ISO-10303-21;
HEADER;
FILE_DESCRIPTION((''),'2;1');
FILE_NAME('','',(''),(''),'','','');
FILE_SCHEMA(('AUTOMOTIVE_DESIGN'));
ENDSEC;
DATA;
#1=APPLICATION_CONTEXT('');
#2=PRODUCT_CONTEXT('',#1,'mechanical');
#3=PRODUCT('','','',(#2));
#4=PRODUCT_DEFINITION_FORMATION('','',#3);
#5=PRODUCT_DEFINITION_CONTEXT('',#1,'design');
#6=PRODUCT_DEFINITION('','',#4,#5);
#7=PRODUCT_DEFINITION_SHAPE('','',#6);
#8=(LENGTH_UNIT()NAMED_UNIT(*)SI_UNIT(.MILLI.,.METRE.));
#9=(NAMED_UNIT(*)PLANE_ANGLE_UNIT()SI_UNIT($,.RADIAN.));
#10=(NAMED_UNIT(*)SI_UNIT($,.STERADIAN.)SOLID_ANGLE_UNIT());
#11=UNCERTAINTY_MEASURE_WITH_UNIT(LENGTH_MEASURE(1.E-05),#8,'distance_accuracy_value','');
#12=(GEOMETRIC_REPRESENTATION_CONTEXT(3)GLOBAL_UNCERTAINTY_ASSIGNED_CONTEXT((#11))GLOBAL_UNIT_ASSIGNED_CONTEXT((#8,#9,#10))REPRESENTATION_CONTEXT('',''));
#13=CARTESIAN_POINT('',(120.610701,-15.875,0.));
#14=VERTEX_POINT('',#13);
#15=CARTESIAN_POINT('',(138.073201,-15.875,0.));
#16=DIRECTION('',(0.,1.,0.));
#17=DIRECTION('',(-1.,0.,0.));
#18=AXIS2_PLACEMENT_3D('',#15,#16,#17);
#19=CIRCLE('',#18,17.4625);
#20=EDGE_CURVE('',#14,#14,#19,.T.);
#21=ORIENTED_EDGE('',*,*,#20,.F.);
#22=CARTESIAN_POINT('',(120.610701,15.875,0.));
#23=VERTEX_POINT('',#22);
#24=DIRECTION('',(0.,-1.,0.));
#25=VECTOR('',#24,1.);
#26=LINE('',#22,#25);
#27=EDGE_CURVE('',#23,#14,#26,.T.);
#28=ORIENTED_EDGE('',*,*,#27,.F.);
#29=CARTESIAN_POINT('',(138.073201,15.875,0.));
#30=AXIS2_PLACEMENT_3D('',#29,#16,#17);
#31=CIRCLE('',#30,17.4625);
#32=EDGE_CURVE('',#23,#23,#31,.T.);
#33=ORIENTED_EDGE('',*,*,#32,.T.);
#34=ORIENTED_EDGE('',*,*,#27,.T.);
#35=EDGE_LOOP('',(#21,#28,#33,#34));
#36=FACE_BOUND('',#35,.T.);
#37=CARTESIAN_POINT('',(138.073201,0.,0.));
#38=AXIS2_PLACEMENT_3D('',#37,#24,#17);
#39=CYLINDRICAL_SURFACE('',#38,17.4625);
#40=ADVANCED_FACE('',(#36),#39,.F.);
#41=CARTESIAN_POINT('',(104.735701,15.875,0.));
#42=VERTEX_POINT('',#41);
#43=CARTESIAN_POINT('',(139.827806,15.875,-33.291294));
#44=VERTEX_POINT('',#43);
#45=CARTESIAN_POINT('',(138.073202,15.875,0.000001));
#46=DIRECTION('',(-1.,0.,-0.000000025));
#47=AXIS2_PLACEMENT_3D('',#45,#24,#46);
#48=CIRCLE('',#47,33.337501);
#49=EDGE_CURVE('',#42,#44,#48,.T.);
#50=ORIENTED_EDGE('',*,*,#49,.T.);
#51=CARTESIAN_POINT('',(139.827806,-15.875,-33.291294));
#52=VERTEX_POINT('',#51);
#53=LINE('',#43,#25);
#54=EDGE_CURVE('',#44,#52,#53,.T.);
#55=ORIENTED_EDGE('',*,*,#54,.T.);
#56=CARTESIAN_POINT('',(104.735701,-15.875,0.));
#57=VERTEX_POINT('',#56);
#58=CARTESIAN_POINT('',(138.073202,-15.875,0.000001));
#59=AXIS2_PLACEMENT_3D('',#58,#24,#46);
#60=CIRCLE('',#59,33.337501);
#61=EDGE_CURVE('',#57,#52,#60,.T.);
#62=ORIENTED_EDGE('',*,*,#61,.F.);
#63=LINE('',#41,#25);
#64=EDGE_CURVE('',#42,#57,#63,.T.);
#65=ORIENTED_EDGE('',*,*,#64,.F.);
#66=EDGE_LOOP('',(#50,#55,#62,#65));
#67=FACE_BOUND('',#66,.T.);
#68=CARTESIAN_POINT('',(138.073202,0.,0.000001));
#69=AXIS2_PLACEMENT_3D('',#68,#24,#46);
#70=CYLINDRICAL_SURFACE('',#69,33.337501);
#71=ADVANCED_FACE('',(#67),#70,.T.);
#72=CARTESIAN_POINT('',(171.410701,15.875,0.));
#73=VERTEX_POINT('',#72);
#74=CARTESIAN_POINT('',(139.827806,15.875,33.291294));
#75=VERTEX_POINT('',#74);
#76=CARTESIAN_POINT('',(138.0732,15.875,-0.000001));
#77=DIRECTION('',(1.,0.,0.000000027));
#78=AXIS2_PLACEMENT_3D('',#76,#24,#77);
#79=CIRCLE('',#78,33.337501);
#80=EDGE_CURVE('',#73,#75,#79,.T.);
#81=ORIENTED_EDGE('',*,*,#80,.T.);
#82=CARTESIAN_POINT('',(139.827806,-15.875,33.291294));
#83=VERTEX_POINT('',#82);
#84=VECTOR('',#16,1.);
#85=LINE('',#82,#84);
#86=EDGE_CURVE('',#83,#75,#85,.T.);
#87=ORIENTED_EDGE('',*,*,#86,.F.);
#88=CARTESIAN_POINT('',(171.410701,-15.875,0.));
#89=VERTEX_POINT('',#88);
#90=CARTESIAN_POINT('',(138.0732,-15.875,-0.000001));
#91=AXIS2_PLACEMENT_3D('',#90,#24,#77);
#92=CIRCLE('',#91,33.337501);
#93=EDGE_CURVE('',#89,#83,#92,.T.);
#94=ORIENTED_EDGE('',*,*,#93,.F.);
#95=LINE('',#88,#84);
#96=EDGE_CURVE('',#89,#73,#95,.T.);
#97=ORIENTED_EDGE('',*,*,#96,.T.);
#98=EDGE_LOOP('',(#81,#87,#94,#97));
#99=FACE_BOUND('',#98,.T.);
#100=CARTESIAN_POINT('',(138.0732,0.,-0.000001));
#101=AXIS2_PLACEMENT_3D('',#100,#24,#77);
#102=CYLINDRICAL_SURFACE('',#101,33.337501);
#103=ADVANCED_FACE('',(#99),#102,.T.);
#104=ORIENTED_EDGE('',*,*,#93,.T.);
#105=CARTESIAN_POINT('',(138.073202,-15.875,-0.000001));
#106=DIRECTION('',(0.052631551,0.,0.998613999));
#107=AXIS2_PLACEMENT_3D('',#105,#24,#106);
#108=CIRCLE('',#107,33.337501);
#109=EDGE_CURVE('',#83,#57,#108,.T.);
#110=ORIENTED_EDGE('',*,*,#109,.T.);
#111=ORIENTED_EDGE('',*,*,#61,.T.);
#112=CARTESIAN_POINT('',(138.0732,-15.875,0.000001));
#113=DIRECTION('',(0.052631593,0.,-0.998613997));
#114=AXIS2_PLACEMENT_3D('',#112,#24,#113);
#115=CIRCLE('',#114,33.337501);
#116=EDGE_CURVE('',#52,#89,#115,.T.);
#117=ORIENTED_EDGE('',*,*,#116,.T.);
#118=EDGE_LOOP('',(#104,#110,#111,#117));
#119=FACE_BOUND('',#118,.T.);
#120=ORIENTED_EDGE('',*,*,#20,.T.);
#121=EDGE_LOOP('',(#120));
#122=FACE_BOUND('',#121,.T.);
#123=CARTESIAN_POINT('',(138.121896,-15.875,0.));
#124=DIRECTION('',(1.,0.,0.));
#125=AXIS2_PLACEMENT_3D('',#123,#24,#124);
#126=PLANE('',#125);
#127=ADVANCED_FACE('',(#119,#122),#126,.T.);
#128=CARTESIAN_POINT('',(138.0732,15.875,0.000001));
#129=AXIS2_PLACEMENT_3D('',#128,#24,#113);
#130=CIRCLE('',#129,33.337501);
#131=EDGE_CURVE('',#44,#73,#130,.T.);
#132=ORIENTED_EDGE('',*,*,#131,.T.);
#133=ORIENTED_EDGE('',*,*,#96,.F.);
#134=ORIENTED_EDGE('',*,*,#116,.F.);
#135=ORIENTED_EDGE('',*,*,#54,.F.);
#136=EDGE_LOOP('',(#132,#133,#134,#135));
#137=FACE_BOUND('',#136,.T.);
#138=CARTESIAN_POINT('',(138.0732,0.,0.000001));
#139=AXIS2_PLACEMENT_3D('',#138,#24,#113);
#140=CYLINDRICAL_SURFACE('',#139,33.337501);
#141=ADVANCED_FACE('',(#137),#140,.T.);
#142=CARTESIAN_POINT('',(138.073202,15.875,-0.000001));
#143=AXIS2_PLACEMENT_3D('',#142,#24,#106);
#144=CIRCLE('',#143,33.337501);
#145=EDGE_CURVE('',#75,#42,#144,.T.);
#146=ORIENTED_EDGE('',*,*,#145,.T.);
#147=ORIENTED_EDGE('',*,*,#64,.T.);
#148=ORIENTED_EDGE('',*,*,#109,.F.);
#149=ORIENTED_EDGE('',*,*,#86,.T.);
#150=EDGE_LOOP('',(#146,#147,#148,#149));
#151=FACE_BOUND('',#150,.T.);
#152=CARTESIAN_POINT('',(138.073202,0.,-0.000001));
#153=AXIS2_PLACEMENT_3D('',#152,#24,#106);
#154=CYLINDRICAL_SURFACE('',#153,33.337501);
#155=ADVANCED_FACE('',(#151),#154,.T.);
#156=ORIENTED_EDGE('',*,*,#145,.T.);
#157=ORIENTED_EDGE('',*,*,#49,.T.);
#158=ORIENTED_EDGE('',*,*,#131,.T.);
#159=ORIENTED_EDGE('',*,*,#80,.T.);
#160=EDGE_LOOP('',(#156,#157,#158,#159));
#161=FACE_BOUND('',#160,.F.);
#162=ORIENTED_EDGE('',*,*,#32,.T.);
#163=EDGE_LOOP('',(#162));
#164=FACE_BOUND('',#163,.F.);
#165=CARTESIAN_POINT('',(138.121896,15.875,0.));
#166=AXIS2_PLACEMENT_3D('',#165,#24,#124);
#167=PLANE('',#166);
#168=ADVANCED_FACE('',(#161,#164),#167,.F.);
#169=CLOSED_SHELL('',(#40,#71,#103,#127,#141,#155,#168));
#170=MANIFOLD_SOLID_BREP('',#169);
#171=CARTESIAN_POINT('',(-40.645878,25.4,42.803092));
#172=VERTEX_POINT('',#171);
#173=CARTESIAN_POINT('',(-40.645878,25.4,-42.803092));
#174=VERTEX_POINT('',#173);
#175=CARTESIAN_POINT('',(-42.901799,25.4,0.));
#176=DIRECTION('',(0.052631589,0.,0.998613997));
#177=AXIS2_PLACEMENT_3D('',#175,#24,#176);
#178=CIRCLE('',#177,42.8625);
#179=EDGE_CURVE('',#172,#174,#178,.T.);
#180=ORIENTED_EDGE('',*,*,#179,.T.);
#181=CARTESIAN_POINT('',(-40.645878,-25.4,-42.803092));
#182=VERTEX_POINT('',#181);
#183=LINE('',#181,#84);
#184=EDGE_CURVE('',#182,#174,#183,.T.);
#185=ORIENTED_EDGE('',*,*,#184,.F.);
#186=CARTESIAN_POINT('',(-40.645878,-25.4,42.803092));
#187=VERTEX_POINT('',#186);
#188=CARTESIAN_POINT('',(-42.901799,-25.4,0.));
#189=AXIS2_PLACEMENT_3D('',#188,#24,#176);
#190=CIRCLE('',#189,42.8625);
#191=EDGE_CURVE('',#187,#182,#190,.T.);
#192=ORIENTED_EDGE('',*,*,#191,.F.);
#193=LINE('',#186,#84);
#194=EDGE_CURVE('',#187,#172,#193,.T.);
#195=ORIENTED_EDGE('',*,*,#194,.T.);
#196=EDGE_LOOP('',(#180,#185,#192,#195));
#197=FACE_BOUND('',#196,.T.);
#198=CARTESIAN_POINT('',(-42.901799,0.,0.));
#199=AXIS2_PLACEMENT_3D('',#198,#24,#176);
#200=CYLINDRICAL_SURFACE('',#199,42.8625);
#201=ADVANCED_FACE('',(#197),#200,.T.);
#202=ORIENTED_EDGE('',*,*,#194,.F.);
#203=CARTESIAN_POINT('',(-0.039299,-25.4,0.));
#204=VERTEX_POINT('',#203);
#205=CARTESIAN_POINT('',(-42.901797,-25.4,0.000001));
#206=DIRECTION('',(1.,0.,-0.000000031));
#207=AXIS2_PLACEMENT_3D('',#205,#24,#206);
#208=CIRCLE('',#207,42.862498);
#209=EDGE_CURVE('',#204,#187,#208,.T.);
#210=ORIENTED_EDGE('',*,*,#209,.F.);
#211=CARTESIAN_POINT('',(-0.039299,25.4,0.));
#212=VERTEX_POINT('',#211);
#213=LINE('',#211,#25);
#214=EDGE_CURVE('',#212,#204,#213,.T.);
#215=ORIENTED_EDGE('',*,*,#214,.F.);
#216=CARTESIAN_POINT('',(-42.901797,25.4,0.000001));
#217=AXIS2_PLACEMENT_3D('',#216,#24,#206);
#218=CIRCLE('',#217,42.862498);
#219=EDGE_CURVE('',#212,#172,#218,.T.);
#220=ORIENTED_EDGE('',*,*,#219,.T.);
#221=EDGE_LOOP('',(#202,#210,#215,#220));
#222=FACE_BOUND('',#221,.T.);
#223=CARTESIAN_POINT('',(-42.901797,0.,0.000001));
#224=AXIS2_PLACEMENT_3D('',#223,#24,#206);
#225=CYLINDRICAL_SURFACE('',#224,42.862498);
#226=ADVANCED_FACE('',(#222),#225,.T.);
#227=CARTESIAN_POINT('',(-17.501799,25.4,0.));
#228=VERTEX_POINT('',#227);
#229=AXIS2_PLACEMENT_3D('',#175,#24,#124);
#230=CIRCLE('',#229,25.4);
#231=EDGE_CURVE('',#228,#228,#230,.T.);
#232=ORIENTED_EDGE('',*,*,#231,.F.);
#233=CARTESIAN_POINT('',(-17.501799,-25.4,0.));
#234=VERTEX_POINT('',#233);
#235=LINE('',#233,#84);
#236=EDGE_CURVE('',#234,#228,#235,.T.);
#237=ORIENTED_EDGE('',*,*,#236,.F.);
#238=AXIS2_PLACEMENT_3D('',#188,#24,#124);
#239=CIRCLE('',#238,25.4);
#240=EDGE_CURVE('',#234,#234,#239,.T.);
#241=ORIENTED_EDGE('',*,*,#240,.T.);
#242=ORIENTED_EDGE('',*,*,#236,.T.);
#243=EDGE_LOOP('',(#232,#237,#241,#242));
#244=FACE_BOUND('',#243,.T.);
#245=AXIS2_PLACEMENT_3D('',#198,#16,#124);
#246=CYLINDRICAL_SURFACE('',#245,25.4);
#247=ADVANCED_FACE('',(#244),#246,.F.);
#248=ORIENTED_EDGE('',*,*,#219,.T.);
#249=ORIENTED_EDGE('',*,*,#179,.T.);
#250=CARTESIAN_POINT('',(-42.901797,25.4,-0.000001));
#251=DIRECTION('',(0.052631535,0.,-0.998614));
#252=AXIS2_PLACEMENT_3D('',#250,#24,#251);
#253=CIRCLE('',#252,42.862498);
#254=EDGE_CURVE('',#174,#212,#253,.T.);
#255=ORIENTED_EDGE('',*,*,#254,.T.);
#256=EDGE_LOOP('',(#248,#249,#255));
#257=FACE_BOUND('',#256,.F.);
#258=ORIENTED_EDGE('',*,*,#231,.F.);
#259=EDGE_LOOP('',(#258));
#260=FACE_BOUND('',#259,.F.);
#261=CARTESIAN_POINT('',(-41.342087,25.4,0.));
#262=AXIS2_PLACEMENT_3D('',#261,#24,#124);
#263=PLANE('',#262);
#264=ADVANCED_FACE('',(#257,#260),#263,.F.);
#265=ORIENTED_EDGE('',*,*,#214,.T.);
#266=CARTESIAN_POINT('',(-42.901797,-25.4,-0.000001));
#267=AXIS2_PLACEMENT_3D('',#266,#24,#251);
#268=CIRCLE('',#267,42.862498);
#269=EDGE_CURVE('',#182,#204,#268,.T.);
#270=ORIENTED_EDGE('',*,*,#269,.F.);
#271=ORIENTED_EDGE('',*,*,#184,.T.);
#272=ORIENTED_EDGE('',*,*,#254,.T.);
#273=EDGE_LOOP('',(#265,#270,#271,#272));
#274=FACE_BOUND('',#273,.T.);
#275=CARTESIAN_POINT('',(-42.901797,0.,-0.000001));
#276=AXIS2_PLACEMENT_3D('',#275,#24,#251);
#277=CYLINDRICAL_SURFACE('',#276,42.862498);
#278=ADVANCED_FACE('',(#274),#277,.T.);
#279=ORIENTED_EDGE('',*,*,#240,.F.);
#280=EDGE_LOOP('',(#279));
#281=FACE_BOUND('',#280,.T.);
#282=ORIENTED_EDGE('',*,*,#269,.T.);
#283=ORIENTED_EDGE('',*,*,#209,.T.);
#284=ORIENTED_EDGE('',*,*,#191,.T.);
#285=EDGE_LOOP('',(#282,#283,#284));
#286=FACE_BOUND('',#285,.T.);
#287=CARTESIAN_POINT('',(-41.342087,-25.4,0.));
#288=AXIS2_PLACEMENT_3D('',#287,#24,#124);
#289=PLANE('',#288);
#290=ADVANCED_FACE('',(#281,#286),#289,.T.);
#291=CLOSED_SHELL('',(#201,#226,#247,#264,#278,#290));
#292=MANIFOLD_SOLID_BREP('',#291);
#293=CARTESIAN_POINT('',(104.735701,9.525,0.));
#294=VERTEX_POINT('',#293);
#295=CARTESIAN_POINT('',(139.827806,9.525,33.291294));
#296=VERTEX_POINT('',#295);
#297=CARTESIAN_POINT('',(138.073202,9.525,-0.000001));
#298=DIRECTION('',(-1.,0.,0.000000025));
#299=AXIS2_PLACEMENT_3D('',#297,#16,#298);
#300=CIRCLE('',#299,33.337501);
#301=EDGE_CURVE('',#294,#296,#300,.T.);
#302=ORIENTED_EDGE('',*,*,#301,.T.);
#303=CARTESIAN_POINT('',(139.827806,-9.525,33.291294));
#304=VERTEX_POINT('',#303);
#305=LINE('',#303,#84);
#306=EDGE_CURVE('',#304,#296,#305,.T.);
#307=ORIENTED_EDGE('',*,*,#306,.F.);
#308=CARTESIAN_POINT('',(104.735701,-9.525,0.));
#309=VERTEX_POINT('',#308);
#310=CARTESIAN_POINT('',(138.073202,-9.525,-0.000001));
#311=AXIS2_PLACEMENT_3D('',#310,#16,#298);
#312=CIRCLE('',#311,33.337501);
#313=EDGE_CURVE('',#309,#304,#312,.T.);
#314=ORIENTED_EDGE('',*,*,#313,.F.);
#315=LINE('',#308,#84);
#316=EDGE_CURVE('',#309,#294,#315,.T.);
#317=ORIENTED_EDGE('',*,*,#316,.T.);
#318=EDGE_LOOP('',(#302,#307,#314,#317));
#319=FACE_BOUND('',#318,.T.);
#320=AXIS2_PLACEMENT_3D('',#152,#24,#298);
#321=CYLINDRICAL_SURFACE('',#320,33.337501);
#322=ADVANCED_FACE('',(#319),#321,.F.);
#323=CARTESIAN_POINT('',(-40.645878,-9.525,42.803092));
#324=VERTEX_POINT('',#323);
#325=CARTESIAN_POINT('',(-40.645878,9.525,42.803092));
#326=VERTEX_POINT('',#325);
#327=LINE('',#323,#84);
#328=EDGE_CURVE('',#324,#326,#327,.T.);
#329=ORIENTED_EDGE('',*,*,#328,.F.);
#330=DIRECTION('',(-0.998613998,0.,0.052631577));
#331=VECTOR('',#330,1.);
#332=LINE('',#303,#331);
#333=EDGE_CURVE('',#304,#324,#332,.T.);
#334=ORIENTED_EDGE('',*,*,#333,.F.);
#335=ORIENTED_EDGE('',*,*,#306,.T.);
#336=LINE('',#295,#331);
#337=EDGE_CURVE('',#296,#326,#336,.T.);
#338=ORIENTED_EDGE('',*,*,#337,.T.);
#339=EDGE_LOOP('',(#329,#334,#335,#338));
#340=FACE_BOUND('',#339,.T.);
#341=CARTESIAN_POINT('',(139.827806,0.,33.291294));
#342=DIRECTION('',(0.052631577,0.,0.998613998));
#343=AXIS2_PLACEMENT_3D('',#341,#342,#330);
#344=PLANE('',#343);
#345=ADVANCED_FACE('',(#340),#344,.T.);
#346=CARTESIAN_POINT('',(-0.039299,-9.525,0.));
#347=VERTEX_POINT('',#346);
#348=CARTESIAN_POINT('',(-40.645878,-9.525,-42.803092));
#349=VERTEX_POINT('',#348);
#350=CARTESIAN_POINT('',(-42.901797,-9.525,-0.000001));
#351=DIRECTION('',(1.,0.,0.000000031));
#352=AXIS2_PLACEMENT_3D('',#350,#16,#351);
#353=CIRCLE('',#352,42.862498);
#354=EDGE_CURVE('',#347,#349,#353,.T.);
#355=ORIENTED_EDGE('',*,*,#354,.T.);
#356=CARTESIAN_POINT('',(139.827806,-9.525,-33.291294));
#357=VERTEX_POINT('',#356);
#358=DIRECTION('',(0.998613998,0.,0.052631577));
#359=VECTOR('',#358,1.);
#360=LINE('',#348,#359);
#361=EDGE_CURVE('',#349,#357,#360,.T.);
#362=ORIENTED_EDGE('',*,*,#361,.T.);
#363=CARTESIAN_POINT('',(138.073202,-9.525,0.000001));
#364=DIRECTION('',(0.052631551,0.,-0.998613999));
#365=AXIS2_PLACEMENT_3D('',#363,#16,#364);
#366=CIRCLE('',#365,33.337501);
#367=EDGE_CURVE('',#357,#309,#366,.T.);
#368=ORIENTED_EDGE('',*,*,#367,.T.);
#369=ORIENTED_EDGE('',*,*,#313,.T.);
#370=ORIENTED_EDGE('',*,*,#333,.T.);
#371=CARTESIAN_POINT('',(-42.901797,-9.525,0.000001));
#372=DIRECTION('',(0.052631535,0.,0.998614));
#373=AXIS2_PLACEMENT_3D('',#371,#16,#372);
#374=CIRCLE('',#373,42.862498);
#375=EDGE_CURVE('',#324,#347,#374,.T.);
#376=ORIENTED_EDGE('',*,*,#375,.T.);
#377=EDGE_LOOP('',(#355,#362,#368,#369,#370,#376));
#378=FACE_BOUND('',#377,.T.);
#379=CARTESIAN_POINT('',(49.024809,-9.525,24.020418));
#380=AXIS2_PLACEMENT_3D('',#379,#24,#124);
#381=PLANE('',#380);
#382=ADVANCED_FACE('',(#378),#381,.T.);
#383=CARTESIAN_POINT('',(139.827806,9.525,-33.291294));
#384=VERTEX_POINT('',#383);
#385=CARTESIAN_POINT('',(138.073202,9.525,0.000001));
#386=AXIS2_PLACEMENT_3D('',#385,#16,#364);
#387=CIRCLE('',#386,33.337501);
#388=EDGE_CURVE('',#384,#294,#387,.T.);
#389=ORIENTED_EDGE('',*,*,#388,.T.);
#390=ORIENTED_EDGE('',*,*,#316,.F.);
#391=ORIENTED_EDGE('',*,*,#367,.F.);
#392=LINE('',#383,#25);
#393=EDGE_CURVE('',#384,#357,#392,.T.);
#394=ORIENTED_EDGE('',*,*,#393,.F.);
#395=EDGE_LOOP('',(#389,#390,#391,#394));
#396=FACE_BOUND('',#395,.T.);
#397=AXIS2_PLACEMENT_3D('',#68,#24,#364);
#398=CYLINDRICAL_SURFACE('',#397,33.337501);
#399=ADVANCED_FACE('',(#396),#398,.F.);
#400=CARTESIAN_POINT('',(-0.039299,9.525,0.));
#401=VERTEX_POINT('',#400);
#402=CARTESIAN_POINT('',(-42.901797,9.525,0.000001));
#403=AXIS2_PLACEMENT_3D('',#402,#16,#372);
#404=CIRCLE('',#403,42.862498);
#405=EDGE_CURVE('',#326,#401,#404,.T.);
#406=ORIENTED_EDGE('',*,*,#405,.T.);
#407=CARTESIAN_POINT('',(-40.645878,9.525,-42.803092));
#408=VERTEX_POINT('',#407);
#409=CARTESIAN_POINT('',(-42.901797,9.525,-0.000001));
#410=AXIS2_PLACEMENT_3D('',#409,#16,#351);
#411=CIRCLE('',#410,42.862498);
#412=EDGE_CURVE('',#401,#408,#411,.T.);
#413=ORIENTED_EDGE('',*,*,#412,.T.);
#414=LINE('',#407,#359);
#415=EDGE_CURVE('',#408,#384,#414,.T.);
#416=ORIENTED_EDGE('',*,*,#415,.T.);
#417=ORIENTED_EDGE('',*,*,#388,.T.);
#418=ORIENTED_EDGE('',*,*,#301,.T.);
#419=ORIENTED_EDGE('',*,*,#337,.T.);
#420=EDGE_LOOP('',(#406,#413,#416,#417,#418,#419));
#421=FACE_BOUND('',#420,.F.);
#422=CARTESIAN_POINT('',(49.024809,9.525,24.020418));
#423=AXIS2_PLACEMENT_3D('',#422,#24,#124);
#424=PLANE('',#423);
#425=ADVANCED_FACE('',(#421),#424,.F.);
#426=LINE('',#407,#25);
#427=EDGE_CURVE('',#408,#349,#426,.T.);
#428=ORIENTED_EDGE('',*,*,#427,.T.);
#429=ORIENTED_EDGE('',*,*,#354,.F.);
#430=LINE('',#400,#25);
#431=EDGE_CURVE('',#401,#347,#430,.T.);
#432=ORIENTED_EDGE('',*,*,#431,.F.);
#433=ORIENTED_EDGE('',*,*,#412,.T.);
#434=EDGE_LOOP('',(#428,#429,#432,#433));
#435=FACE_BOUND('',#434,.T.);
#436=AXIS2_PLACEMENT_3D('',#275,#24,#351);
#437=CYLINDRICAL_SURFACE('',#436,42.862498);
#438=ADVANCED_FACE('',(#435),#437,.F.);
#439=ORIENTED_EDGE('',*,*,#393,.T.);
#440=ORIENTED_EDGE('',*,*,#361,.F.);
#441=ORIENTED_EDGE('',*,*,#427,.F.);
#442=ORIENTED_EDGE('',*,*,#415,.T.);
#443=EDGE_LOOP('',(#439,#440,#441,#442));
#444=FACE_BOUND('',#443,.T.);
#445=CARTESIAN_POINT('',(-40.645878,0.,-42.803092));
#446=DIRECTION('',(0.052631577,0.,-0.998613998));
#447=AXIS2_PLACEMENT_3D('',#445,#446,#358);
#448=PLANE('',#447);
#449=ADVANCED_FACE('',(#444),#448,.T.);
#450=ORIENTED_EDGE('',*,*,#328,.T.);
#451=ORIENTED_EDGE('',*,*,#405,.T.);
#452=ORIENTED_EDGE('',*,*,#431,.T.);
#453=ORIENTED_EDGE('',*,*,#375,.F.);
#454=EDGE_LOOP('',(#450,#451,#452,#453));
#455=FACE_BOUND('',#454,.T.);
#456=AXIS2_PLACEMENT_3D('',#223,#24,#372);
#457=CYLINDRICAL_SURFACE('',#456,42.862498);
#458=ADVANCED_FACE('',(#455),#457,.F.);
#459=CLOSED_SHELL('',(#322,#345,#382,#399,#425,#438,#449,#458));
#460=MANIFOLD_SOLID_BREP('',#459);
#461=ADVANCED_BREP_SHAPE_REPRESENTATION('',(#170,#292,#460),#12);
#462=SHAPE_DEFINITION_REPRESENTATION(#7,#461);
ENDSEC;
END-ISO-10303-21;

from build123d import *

# Parameters (mm, degrees)
F0_R     = 25.4
F1_DEPTH = 25.4
F2_DEPTH = 15.875
F3_DEPTH = 9.525


with BuildPart() as f1:
    # F0 (on Front) → F1 (new body, symmetric)
    with BuildSketch(Plane.XZ):
        with BuildLine():
            ThreePointArc((-40.645878, -42.803092), (-11.806073, -29.499996), (-0.039299, 0))
            ThreePointArc((-0.039299, 0), (-11.806073, 29.499996), (-40.645878, 42.803092))
            ThreePointArc((-40.645878, 42.803092), (-85.764299, 0), (-40.645878, -42.803092))
        make_face()
        with Locations((-42.901799, 0)):
            Circle(F0_R, mode=Mode.SUBTRACT)
    extrude(amount=F1_DEPTH, both=True)


with BuildPart() as f2:
    # F0 (on Front) → F2 (new body, symmetric)
    with BuildSketch(Plane.XZ):
        with BuildLine():
            ThreePointArc((139.827806, 33.291294), (115.12876, 24.185564), (104.735701, 0))
            ThreePointArc((104.735701, 0), (115.12876, -24.185564), (139.827806, -33.291294))
            ThreePointArc((139.827806, -33.291294), (162.258765, -22.944441), (171.410701, 0))
            ThreePointArc((171.410701, 0), (162.258765, 22.944441), (139.827806, 33.291294))
        make_face()
        with BuildLine():
            ThreePointArc((155.535701, 0), (138.073201, -17.4625), (120.610701, 0))
            ThreePointArc((120.610701, 0), (138.073201, 17.4625), (155.535701, 0))
        make_face(mode=Mode.SUBTRACT)
    extrude(amount=F2_DEPTH, both=True)


with BuildPart() as f3:
    # F0 (on Front) → F3 (new body, symmetric)
    with BuildSketch(Plane.XZ):
        with BuildLine():
            ThreePointArc((-40.645878, 42.803092), (-11.806073, 29.499996), (-0.039299, 0))
            Line((-0.039299, 0), (104.735701, 0))
            ThreePointArc((104.735701, 0), (115.12876, 24.185564), (139.827806, 33.291294))
            Line((139.827806, 33.291294), (-40.645878, 42.803092))
        make_face()
        with BuildLine():
            Line((104.735701, 0), (-0.039299, 0))
            ThreePointArc((-0.039299, 0), (-11.806073, -29.499996), (-40.645878, -42.803092))
            Line((-40.645878, -42.803092), (139.827806, -33.291294))
            ThreePointArc((139.827806, -33.291294), (115.12876, -24.185564), (104.735701, 0))
        make_face()
    extrude(amount=F3_DEPTH, both=True)


solid = Compound([f1.part, f2.part, f3.part])
